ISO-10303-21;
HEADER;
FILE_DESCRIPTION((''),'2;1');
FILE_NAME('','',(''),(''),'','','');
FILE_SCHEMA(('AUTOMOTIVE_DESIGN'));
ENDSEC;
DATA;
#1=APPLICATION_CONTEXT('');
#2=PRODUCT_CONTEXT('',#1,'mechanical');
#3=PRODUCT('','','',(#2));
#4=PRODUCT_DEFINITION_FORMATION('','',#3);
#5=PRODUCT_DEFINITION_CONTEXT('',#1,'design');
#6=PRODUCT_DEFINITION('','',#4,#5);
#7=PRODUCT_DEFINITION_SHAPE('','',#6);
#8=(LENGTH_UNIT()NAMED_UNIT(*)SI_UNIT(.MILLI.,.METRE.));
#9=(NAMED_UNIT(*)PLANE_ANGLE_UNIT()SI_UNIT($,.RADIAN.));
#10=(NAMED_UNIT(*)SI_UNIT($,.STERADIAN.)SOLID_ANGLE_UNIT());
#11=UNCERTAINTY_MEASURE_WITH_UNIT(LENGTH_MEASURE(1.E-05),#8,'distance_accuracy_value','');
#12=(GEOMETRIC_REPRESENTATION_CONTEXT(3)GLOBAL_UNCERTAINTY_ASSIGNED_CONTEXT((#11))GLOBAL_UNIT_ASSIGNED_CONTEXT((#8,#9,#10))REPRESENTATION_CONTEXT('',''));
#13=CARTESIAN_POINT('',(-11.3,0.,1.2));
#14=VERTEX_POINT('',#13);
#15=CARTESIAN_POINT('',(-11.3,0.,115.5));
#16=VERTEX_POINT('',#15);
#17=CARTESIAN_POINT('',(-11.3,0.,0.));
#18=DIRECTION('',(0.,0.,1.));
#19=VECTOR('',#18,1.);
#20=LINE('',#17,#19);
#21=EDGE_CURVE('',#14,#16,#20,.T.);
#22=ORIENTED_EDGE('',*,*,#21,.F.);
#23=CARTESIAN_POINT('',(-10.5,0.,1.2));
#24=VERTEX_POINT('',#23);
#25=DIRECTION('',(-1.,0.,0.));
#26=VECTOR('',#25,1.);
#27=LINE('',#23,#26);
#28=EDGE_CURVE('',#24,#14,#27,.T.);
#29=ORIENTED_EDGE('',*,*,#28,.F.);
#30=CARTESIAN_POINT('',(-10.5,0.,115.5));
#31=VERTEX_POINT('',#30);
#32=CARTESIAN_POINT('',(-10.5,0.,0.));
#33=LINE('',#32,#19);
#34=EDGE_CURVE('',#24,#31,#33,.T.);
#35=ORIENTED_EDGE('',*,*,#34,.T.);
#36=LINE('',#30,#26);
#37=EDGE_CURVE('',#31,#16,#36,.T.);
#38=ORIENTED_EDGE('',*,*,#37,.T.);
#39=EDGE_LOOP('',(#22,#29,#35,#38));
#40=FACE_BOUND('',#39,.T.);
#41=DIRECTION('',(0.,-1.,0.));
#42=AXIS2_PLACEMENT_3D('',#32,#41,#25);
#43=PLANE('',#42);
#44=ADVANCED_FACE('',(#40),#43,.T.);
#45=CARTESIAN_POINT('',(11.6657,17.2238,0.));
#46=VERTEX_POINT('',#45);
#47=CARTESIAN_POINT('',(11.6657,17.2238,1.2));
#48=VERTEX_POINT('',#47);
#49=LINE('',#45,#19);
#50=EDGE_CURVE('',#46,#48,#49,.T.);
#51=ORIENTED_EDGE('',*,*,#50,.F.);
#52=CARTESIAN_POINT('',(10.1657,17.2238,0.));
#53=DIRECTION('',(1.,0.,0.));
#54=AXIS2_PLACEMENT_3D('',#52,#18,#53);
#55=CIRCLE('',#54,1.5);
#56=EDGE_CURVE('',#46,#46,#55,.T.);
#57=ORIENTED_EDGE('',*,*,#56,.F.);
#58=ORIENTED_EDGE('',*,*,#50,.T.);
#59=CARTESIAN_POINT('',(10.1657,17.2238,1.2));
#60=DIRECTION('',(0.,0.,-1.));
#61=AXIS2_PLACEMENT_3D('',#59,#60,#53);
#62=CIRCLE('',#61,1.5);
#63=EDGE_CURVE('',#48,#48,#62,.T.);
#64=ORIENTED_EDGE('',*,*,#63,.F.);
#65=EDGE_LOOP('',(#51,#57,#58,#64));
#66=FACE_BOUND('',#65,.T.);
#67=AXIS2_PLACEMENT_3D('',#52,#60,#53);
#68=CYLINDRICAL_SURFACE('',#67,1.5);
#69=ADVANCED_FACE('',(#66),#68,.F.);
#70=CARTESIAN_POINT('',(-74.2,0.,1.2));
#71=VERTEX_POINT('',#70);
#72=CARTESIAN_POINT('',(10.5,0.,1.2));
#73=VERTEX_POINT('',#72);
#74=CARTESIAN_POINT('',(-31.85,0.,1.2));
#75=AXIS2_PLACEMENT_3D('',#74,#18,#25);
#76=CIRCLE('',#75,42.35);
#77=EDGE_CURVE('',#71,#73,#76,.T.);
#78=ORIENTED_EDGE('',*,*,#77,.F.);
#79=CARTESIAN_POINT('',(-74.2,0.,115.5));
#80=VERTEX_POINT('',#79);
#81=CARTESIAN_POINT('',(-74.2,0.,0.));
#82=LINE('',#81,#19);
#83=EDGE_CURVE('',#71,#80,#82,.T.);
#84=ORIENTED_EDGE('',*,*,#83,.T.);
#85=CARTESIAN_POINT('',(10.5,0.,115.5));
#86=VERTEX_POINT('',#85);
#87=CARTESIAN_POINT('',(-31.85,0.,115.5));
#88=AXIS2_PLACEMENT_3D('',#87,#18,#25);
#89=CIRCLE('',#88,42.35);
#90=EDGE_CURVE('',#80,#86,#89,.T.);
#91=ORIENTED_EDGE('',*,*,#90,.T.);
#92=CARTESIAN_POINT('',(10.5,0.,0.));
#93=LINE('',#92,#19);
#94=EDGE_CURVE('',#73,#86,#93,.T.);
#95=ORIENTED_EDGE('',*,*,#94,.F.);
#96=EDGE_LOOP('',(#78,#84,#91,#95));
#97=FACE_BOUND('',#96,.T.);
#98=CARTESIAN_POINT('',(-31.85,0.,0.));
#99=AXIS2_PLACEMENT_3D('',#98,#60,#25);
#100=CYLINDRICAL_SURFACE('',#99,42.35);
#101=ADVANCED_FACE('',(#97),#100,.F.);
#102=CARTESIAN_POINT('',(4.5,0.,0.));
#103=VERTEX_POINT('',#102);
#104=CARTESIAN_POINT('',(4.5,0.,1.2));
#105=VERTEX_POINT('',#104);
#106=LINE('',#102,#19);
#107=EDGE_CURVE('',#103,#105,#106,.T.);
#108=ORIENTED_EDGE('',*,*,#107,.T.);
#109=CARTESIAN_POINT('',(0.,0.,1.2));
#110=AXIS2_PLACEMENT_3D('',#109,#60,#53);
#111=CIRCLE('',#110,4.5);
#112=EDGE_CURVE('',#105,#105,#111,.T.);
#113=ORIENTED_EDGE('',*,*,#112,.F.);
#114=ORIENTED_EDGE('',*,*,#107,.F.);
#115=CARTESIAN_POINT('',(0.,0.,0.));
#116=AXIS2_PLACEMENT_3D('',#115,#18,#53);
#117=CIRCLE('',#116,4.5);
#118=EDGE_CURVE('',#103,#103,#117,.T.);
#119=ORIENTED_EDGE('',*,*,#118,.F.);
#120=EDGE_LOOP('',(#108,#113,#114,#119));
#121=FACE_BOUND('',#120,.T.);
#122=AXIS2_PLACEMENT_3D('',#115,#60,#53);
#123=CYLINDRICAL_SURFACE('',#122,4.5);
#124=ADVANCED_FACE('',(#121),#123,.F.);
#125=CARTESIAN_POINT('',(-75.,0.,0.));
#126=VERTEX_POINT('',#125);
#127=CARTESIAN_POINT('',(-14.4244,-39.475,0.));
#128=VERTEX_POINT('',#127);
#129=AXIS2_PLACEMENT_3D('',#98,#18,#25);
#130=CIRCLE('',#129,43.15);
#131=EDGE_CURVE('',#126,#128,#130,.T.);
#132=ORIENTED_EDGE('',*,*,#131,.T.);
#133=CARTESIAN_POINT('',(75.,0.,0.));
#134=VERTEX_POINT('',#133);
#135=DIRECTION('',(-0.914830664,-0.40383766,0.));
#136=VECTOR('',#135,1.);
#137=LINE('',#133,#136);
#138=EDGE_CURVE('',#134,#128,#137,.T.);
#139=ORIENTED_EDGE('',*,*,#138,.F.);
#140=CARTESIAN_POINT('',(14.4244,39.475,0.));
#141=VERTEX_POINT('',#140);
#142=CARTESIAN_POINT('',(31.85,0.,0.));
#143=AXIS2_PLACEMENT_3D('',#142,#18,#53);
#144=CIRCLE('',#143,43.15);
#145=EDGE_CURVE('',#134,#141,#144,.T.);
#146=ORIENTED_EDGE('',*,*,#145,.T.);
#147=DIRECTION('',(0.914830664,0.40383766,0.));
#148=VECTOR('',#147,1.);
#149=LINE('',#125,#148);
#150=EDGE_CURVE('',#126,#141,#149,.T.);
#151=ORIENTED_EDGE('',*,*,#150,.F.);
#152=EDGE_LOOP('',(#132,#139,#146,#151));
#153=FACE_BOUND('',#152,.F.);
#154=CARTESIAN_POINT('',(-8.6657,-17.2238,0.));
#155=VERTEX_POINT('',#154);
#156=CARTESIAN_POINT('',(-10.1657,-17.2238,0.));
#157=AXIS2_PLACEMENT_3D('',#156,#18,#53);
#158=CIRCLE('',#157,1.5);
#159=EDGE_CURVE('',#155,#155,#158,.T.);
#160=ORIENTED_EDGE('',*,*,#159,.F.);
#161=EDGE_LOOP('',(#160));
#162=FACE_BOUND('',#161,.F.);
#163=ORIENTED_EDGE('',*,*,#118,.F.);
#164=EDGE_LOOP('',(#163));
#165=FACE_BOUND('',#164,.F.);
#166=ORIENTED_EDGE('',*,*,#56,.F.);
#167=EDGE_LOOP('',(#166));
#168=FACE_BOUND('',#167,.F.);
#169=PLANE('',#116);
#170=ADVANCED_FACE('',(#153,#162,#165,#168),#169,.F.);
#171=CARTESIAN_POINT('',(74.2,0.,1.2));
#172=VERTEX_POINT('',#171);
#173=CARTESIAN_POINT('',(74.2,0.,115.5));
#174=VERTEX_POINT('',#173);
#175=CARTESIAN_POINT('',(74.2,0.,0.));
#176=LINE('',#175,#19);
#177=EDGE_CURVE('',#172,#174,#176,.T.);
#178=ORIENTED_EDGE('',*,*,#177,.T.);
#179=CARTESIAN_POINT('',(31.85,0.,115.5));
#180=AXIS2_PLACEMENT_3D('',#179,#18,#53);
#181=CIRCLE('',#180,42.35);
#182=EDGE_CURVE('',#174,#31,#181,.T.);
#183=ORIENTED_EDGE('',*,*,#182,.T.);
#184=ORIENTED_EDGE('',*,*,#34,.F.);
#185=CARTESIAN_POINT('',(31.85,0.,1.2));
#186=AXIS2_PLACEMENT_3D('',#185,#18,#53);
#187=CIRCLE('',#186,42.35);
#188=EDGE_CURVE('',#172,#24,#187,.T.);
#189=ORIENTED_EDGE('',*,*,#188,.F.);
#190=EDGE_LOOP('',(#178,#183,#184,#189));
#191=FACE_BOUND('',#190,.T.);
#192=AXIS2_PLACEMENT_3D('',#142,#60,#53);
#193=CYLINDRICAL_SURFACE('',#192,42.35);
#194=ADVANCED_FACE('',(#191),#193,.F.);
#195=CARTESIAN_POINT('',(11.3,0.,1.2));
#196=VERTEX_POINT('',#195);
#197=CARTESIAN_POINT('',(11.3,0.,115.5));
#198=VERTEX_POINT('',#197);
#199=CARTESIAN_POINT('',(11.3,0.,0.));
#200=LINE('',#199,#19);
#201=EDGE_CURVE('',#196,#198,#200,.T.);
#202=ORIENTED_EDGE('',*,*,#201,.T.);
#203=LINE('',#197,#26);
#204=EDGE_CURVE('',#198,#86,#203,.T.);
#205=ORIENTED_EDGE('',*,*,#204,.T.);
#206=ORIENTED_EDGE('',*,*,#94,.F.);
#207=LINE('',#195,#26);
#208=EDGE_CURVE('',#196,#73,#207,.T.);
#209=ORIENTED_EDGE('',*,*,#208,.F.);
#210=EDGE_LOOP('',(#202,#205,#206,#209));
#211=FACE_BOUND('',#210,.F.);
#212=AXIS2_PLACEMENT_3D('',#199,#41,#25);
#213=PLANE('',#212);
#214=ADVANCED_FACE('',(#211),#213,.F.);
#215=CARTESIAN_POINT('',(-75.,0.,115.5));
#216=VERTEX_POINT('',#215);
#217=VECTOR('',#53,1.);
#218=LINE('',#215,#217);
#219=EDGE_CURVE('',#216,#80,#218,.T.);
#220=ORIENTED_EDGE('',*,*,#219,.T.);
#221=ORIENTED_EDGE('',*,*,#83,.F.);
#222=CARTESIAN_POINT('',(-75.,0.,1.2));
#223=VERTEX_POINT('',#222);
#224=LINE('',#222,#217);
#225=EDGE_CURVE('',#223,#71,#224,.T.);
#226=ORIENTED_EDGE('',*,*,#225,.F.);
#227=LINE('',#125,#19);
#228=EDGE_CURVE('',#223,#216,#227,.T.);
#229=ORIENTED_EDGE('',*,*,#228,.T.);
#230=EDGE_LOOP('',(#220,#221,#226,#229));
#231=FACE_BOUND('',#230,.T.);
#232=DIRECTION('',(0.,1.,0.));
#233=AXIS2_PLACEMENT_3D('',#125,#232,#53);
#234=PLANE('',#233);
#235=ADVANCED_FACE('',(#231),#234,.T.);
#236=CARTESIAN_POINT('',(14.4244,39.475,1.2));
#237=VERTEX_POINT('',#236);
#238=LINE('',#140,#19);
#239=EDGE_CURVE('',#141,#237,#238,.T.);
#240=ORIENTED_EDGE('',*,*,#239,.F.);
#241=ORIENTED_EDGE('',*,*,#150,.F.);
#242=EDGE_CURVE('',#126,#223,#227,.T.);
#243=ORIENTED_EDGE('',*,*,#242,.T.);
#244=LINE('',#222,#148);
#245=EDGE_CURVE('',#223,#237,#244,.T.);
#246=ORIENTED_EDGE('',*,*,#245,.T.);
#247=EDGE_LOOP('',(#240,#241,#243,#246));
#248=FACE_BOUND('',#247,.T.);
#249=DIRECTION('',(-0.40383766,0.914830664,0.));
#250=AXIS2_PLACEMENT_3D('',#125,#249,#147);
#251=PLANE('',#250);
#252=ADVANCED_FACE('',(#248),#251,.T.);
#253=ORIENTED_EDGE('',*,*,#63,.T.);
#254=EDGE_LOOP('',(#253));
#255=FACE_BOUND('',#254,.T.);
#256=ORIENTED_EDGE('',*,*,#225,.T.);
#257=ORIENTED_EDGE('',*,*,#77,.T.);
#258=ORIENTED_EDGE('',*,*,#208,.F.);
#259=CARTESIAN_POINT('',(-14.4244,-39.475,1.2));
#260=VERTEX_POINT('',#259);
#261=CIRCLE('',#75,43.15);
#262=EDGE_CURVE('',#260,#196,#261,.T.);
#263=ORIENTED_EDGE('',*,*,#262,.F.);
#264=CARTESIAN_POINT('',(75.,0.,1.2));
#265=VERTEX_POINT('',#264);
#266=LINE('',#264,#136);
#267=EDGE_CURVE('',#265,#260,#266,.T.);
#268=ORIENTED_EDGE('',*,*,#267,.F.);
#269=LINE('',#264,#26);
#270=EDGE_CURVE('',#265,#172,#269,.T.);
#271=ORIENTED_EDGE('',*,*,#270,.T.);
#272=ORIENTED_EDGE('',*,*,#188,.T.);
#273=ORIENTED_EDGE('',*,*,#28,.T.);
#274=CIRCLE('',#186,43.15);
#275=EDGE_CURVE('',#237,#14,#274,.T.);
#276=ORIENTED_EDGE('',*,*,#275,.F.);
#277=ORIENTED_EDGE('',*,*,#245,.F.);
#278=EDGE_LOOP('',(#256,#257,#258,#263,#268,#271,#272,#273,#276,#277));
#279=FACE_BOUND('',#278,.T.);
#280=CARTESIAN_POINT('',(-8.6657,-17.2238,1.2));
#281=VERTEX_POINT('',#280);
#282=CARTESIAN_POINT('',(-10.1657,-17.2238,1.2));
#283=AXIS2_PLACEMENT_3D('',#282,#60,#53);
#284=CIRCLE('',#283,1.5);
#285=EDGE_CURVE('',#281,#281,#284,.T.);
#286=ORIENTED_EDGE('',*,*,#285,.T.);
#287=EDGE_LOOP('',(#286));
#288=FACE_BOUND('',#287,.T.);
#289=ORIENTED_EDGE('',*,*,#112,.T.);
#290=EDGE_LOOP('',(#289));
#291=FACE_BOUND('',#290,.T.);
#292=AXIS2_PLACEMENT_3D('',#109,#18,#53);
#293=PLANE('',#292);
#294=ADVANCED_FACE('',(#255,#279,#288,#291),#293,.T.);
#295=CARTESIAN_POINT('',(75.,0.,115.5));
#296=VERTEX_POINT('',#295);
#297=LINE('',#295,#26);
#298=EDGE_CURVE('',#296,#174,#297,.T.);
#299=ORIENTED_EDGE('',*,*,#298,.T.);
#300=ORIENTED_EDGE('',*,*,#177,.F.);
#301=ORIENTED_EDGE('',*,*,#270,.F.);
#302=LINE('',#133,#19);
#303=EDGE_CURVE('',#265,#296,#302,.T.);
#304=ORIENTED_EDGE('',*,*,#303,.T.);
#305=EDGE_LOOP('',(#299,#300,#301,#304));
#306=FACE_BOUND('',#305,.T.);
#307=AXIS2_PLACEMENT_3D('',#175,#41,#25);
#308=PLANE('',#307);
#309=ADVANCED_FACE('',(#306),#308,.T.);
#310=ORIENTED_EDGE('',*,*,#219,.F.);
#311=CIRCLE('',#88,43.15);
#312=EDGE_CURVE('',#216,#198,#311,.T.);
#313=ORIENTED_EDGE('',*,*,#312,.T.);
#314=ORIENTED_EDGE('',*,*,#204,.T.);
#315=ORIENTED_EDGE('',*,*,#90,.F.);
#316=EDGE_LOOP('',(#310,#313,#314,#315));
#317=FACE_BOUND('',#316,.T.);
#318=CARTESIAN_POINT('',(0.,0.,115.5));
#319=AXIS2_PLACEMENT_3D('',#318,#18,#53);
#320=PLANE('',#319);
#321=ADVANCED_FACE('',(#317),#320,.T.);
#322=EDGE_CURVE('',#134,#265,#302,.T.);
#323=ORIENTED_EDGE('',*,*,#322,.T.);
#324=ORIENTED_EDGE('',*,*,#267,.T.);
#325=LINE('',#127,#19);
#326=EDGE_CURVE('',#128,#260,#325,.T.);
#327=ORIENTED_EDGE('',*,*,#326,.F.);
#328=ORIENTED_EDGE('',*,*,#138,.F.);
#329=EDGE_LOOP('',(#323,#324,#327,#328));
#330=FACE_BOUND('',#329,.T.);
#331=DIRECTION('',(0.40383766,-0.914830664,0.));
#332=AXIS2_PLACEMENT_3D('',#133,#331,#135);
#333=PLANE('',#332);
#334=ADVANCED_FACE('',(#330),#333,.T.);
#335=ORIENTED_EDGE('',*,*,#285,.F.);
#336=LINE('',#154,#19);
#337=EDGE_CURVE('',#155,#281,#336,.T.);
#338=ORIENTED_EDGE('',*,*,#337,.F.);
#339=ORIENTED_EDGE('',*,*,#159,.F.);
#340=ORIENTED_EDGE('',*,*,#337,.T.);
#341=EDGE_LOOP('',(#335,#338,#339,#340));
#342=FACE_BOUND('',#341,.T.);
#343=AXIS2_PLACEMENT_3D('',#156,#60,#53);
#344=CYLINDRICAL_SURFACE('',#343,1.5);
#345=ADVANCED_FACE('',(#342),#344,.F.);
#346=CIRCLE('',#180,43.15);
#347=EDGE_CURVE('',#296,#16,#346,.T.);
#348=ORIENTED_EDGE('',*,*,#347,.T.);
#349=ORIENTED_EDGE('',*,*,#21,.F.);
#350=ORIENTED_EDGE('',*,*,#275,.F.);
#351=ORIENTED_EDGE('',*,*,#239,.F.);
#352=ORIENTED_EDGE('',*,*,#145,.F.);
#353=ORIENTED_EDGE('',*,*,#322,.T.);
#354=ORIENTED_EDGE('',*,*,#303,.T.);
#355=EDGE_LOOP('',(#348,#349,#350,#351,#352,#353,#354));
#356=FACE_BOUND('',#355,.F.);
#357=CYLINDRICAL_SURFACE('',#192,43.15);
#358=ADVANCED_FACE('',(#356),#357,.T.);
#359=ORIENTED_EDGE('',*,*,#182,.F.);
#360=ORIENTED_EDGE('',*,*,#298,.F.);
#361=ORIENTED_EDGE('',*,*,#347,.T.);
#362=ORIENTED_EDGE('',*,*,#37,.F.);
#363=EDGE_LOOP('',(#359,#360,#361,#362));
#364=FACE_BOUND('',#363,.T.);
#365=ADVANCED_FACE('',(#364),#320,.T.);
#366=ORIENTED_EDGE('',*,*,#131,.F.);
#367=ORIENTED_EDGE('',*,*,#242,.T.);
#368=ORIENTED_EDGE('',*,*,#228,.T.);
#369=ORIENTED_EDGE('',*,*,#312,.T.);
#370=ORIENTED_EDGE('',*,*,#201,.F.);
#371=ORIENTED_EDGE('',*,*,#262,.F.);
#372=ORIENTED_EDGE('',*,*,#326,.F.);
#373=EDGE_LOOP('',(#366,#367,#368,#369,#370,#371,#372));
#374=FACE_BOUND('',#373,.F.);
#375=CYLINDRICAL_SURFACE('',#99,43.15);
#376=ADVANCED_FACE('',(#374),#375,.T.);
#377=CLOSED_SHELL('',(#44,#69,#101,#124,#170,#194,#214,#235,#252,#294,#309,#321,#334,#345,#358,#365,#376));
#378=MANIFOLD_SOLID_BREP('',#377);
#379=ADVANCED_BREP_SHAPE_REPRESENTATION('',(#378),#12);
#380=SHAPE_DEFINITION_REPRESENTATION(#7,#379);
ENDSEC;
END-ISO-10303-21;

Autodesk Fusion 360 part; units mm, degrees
sketch "Turbine" plane through (0, 0, 0) normal (0, 0, 1) x (1, 0, 0) in component "Savonius Turbine"
  line L0 (10.5, 0) -> (-10.5, 0) construction
  arc A0 (74.2, 0) -> (-10.5, 0) centre (31.85, 0) ccw
  line L1 (31.85, 0) -> (74.2, 0) construction
  line L2 (31.85, 0) -> (-10.5, 0) construction
  arc A1 (-74.2, 0) -> (10.5, 0) centre (-31.85, 0) ccw
  line L3 (-31.85, 0) -> (-74.2, 0) construction
  line L4 (-31.85, 0) -> (10.5, 0) construction
  arc A2 (75, 0) -> (-11.3, 0) centre (31.85, 0) ccw
  arc A3 (-75, 0) -> (11.3, 0) centre (-31.85, 0) ccw
  line L5 (75, 0) -> (74.2, 0)
  line L6 (-75, 0) -> (-74.2, 0)
  line L7 (11.3, 0) -> (10.5, 0)
  line L8 (-10.5, 0) -> (-11.3, 0)
  line L9 (74.2, 0) -> (11.3, 0)
  line L10 (-11.3, 0) -> (-74.2, 0)
  dimension "d7" = 21
  dimension "d9" = 180
  dimension "d11" = 42.35
  dimension "d12" = 180
  dimension "d14" = 0.8
  dimension "d15" = 0.8
extrude "Extrude1" add sketch "Turbine" along normal blind 115.5 contours A0 A2 L5 L8 | A1 A3 L6 L7 makes body 1 at (-8.4391, -36.2471, 38.5) makes body 2 at (-4.9695, 22.4999, 38.5) in component "Savonius Turbine"
extrude "Extrude2" add sketch "Turbine" along normal blind 1.2 contours A0 A1 L7 L8 L9 L10 bodies 1 2 in component "Savonius Turbine"
sketch "Mounting Holes" plane through (0, 0, 0) normal (0, 0, 1) x (1, 0, 0) in component "Savonius Turbine"
  line L0 (-10.1657, -17.2238) -> (10.1657, 17.2238) construction
  circle A0 centre (-10.1657, -17.2238) radius 1.5
  circle A1 centre (10.1657, 17.2238) radius 1.5
  circle A2 centre (0, 0) radius 4.5
  dimension "d24" = 40
  dimension "d25" = 3
  dimension "d26" = 9
extrude "Extrude3" cut sketch "Mounting Holes" along normal through all bodies 1 in component "Savonius Turbine"
sketch "Base Reinforcement" plane through (0, 0, 0) normal (0, 0, 1) x (1, 0, 0) in component "Savonius Turbine"
  circle A0 centre (0, 0) radius 4.5
  circle A1 centre (-10.1657, -17.2238) radius 1.5
  circle A2 centre (10.1657, 17.2238) radius 1.5
  arc A3 (-75, 0) -> (11.3, 0) centre (-31.85, 0) ccw
  line L0 (-75, 0) -> (-11.3, 0)
  arc A4 (75, 0) -> (-11.3, 0) centre (31.85, 0) ccw
  line L1 (75, 0) -> (11.3, 0)
  line L2 (75, 0) -> (-14.4244, -39.475)
  line L3 (-75, 0) -> (14.4244, 39.475)
extrude "Extrude4" add sketch "Base Reinforcement" along normal blind 1.2 contours L0 A4 L3 | A3 L1 L2 bodies 1 in component "Savonius Turbine"
component "Savonius Turbine" placed x (1, 0, 0) y (0, 1, 0) z (0, 0, 1) at (0, 0, 0)
equation "Width = 150 mm" comment "Width of the turbine"
equation "AspectRatio = 0.77"
equation "OverlapPercent = 0.14" comment "How far the blades should overlap.  e.g. 0.10 would be 10%"
equation "Height = Width * AspectRatio"
equation "Overlap = OverlapPercent * Width"
equation "BladeDiameter = ( Width + Overlap ) / 2 - BladeThickness"
equation "d7 = Overlap"
equation "d11 = BladeDiameter / 2"
equation "BladeThickness = 0.8 mm"
equation "d14 = BladeThickness"
equation "d15 = BladeThickness"
equation "d19 = Height"
equation "BaseThickness = 1.2 mm"
equation "d22 = BaseThickness"
equation "d28 = BaseThickness"
